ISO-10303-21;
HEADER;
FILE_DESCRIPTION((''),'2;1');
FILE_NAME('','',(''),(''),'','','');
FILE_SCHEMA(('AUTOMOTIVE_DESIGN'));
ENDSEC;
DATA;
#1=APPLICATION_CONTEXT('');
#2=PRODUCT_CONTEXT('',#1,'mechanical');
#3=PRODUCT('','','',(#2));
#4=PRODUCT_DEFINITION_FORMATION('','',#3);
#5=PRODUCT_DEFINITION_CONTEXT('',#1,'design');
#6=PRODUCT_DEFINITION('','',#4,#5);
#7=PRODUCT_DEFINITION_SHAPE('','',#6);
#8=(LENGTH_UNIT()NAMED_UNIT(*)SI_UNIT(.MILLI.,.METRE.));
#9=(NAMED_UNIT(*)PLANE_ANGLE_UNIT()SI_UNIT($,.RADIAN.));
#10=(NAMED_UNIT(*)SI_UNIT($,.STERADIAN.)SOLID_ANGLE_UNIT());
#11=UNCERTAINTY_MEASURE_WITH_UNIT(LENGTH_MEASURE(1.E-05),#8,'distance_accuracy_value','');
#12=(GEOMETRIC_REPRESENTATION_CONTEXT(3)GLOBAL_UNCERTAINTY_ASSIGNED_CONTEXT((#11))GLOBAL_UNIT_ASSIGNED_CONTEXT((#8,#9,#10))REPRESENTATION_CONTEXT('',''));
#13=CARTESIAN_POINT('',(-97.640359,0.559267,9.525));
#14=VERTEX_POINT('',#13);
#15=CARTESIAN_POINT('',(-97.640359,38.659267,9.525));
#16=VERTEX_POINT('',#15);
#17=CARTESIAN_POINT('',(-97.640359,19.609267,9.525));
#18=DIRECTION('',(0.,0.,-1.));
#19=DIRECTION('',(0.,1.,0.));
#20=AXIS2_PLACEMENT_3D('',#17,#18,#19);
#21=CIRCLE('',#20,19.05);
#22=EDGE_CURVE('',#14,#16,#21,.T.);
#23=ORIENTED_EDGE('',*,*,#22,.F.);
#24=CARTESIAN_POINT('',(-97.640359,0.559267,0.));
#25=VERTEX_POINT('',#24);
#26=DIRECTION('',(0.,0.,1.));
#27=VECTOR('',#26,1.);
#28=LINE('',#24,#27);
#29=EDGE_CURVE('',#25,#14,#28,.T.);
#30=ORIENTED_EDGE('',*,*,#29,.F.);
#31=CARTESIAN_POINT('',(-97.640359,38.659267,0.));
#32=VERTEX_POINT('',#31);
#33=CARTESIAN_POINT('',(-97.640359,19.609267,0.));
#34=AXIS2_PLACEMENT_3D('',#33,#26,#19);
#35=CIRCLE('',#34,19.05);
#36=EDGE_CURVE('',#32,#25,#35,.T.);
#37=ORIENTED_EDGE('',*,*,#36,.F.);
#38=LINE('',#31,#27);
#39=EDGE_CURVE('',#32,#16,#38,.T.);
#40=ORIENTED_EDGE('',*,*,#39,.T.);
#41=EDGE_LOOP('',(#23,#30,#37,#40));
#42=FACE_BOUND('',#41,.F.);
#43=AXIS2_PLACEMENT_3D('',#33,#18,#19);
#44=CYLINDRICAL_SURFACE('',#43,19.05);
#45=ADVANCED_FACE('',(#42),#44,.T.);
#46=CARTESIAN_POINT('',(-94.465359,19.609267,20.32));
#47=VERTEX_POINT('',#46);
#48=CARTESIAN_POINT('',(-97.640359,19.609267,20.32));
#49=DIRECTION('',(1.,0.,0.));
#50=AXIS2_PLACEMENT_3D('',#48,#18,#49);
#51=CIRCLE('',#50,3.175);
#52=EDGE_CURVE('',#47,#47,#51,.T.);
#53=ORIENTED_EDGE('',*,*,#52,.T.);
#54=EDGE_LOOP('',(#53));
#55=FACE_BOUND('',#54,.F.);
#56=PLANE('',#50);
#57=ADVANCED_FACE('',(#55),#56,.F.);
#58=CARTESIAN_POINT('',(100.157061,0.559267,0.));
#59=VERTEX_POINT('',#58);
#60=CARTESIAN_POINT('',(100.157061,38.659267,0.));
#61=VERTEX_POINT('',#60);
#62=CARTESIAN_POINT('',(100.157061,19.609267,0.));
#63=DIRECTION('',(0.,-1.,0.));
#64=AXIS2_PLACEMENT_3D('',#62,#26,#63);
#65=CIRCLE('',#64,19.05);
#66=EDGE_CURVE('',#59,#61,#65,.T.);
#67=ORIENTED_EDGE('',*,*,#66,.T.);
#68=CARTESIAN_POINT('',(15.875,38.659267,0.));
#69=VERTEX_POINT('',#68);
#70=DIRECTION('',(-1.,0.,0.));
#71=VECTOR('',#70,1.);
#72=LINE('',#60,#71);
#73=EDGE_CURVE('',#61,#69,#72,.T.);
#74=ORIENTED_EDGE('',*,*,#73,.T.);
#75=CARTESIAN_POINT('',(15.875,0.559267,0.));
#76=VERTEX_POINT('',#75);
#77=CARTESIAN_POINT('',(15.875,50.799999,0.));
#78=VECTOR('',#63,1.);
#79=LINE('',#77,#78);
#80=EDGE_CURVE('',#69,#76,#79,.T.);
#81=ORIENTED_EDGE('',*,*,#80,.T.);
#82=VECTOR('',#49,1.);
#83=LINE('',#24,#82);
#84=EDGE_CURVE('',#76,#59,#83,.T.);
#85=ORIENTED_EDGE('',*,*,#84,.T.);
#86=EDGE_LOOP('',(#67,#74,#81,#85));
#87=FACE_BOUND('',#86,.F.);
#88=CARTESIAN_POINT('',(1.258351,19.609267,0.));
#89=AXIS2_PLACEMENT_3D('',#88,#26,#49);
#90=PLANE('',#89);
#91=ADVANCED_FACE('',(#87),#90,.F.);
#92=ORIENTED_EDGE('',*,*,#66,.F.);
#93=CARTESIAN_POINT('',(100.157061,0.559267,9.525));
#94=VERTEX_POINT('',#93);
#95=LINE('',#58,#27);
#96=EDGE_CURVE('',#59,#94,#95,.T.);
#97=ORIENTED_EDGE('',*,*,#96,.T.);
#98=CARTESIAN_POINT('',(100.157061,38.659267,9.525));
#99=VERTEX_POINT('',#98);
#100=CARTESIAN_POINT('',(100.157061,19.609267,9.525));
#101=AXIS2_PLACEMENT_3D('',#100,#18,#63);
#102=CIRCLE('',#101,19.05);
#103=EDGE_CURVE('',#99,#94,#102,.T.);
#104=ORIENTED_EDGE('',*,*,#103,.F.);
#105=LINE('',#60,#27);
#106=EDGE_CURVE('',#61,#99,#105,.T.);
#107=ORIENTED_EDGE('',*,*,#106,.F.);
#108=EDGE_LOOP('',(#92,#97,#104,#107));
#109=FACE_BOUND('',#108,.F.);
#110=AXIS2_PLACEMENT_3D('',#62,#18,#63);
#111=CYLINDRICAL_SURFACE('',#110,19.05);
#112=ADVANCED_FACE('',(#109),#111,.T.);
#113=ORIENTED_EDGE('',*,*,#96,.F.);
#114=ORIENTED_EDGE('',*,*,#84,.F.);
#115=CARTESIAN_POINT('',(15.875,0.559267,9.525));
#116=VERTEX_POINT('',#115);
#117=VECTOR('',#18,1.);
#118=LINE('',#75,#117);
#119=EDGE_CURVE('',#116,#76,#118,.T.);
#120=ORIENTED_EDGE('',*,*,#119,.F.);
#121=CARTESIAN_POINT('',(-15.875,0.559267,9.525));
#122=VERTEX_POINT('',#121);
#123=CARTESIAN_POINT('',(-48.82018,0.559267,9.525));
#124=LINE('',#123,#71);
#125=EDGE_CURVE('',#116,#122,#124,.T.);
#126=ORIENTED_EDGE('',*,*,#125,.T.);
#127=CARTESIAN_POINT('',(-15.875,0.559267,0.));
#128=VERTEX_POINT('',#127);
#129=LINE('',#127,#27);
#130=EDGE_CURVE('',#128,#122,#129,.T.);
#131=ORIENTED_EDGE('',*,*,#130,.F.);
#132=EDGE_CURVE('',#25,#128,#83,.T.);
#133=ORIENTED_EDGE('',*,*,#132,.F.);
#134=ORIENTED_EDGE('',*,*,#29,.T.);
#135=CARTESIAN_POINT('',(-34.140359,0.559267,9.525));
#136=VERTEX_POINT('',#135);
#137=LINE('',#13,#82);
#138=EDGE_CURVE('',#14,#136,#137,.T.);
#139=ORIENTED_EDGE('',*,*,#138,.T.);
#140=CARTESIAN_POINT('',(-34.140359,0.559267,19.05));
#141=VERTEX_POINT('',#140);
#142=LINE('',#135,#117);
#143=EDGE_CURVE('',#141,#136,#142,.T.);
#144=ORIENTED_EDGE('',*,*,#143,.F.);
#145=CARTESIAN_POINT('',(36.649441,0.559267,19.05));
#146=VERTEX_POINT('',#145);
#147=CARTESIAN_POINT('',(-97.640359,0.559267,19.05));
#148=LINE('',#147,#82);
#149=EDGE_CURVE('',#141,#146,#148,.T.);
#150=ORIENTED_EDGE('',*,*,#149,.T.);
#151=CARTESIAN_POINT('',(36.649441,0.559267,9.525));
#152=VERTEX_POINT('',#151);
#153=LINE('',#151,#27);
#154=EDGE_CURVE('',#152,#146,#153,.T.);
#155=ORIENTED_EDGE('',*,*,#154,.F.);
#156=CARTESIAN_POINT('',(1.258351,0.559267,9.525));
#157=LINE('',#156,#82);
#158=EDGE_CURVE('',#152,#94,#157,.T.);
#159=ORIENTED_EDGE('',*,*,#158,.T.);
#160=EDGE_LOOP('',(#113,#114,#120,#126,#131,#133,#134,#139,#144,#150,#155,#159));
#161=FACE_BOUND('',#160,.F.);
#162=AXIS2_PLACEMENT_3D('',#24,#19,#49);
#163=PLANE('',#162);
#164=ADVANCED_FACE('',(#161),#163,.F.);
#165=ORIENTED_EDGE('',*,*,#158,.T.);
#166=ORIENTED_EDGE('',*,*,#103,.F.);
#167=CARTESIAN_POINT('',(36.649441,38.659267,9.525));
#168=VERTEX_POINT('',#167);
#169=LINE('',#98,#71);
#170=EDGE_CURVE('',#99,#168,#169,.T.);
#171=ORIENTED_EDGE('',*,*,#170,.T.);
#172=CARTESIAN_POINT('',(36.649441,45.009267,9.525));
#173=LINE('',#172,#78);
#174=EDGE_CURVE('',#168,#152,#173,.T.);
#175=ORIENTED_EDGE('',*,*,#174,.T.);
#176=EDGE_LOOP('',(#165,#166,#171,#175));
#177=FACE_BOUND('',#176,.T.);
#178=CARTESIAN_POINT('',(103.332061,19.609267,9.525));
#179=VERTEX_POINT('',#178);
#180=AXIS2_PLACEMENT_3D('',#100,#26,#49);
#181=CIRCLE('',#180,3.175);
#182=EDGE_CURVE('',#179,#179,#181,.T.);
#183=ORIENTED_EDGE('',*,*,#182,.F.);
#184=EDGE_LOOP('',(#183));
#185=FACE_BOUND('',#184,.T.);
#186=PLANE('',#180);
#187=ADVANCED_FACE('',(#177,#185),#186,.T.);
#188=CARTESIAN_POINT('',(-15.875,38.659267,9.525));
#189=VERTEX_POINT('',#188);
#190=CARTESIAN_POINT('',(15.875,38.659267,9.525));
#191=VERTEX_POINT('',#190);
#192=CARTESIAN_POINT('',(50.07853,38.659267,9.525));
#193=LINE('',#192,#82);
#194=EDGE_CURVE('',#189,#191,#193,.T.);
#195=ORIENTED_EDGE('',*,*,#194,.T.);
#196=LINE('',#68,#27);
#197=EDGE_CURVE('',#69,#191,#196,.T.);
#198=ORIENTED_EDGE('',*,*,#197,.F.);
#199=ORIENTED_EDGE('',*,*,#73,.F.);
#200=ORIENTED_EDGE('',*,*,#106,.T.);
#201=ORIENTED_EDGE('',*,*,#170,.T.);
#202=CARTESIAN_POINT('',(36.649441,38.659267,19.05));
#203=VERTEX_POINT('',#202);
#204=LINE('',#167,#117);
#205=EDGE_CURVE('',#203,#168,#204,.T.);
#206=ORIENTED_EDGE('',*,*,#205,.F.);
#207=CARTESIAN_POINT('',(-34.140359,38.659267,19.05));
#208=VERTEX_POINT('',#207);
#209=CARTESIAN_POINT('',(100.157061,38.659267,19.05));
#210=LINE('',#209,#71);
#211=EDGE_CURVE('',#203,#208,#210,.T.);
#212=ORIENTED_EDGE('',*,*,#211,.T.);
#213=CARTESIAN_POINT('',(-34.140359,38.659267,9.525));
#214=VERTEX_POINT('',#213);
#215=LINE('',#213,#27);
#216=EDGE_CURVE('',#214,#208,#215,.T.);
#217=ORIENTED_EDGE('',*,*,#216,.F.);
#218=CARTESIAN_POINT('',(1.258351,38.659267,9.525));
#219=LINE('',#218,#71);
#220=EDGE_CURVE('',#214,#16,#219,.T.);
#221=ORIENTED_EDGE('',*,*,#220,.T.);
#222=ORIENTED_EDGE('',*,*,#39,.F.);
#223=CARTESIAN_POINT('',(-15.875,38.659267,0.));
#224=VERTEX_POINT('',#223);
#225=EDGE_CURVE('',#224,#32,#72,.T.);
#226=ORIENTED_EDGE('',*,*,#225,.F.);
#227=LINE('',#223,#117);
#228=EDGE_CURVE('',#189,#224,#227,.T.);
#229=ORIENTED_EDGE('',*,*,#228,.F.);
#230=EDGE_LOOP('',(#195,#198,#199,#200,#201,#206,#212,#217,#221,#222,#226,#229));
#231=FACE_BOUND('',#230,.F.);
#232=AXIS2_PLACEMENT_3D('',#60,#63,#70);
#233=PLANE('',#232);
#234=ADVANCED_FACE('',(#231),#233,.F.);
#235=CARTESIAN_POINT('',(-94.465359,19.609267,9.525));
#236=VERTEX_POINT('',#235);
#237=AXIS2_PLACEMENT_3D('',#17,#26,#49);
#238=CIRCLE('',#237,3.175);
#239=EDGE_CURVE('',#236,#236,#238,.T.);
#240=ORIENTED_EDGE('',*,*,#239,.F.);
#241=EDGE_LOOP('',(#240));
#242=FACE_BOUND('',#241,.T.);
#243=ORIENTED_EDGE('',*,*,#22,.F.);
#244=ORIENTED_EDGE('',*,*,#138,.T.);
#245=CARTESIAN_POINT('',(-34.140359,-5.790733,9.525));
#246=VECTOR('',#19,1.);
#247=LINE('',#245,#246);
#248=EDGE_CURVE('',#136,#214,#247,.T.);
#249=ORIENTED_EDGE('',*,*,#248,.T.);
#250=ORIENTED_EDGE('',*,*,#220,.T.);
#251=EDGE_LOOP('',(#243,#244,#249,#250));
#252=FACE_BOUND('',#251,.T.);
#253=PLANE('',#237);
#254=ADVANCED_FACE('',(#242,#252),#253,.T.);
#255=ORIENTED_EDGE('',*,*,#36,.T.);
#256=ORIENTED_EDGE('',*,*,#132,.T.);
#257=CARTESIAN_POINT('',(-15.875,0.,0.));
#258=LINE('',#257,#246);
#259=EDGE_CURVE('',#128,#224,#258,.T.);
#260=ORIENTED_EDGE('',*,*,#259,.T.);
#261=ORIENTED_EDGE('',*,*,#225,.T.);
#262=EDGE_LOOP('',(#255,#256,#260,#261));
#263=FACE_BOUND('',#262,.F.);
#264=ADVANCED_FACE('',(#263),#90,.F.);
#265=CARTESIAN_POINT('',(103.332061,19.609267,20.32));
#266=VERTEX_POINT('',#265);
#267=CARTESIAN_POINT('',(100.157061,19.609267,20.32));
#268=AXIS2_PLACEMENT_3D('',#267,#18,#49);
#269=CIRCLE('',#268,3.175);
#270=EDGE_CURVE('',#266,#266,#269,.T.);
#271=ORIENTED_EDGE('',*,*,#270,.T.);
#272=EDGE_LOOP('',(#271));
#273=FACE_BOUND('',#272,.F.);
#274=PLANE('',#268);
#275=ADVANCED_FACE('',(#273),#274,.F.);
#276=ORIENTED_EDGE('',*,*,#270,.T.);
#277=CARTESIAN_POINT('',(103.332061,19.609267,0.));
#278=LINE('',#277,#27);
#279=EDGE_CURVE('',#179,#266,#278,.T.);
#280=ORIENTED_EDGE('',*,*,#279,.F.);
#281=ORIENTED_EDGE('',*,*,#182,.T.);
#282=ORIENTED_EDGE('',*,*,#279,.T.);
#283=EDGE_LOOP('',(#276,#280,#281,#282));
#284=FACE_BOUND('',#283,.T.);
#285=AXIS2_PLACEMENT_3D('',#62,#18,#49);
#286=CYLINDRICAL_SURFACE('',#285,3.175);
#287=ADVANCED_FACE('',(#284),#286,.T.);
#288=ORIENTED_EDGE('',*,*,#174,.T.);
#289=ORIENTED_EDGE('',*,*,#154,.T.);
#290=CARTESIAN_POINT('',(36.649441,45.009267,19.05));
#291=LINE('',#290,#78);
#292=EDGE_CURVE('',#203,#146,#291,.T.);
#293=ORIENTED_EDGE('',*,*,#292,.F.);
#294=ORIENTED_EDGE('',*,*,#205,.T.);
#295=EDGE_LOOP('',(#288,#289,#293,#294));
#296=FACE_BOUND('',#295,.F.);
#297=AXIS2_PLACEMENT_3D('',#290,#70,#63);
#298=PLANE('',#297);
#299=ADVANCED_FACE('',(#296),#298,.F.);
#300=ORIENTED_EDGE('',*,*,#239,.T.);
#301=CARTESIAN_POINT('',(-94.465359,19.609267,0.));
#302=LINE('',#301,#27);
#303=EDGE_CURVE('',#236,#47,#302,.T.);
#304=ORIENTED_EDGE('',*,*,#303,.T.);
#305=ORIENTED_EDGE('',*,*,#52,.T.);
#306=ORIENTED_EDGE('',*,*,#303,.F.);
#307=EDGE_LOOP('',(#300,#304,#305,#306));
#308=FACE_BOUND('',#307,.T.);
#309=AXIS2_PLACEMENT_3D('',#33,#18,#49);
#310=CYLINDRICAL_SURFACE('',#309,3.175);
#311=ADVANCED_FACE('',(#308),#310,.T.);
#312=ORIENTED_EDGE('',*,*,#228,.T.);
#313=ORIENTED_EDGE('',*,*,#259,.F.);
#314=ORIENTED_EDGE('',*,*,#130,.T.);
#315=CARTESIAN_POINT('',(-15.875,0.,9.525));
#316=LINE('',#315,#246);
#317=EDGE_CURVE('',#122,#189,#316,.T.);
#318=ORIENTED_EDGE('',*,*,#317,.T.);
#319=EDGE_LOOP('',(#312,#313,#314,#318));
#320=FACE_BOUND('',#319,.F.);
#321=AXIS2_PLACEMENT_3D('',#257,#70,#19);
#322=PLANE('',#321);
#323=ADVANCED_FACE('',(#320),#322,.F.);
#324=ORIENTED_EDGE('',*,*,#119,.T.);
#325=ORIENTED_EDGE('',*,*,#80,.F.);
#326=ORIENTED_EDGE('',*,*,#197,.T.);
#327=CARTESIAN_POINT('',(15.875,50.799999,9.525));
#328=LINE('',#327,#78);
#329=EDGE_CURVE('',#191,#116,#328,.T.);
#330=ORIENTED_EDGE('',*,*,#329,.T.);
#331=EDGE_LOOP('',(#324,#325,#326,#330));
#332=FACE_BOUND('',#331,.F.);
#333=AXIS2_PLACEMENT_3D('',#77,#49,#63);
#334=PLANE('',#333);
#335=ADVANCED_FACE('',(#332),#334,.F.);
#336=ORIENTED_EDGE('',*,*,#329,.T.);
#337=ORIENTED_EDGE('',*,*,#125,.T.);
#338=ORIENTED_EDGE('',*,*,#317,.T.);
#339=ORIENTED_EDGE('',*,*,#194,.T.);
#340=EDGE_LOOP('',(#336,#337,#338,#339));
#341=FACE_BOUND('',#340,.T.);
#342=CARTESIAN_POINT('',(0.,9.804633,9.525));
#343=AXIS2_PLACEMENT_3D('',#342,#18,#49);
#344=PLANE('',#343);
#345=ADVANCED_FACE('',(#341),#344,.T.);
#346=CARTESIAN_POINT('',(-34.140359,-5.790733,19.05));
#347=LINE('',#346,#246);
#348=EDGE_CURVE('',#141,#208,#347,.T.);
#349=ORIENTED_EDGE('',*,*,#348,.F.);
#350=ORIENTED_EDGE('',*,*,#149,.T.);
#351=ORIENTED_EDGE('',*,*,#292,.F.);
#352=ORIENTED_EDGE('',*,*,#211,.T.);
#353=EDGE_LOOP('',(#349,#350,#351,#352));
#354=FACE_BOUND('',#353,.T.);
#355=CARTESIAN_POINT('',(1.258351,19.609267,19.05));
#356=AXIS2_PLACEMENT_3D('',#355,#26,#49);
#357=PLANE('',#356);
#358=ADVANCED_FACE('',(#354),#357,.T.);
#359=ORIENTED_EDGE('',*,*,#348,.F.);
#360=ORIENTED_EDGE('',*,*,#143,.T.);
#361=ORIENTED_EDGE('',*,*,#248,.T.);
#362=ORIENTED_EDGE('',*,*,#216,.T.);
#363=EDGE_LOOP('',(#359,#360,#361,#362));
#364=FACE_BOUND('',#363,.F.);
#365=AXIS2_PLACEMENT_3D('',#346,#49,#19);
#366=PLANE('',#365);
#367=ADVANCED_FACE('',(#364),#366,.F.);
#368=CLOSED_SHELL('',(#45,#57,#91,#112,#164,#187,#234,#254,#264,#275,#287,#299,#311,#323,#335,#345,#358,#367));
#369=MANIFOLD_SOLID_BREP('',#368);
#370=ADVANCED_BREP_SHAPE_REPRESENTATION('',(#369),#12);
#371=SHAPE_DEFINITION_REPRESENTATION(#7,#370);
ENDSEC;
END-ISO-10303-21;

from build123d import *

# Parameters (mm, degrees)
F0_R     = 3.175
F1_DEPTH = 19.05
F2_R     = 3.175
F3_DEPTH = 9.525
F4_W     = 15.875
F4_H     = 31.190733
F5_DEPTH = 9.525
F6_R     = 3.175
F7_DEPTH = 20.32
F8_R     = 3.175
F9_DEPTH = 20.32


with BuildPart() as f1:
    # F0 (on Top) → F1 (new body)
    with BuildSketch(Plane.XY):
        with BuildLine():
            ThreePointArc((100.157061, 0.559267), (119.207061, 19.609267), (100.157061, 38.659267))
            Line((100.157061, 38.659267), (-97.640359, 38.659267))
            ThreePointArc((-97.640359, 38.659267), (-116.690359, 19.609267), (-97.640359, 0.559267))
            Line((-97.640359, 0.559267), (100.157061, 0.559267))
        make_face()
        with Locations((-97.640359, 19.609267)):
            Circle(F0_R, mode=Mode.SUBTRACT)
        with Locations((100.157061, 19.609267)):
            Circle(F0_R, mode=Mode.SUBTRACT)
    extrude(amount=F1_DEPTH)

    # F2 (on face) → F3 (cut)
    with BuildSketch(Plane.XY.offset(19.05)):
        with Locations((-97.640359, 19.609267)):
            Circle(F2_R)
        with Locations((100.157061, 19.609267)):
            Circle(F2_R)
        with BuildLine():
            ThreePointArc((100.149441, -5.790733), (125.549441, 19.609267), (100.149441, 45.009267))
            Line((100.149441, 45.009267), (36.649441, 45.009267))
            Line((36.649441, 45.009267), (36.649441, -5.790733))
            Line((36.649441, -5.790733), (100.149441, -5.790733))
        make_face()
        with Locations((100.157061, 19.609267)):
            Circle(F2_R, mode=Mode.SUBTRACT)
        with BuildLine():
            Line((-34.140359, -5.790733), (-34.140359, 45.009267))
            Line((-34.140359, 45.009267), (-97.640359, 45.009267))
            ThreePointArc((-97.640359, 45.009267), (-123.040359, 19.609267), (-97.640359, -5.790733))
            Line((-97.640359, -5.790733), (-34.140359, -5.790733))
        make_face()
        with Locations((-97.640359, 19.609267)):
            Circle(F2_R, mode=Mode.SUBTRACT)
    extrude(amount=-F3_DEPTH, mode=Mode.SUBTRACT)

    # F4 (on face) → F5 (cut)
    with BuildSketch(Plane(origin=(0, 0, 0), x_dir=(1, 0, 0), z_dir=(0, 0, -1))):
        Polygon((-15.875, 0), (-15.875, -19.609267), (0, -19.609267), (15.875, -19.609267), (15.875, 0), align=None)
        with Locations((-7.9375, -35.204633)):
            Rectangle(F4_W, F4_H)
        with Locations((7.9375, -35.204633)):
            Rectangle(F4_W, F4_H)
    extrude(amount=-F5_DEPTH, mode=Mode.SUBTRACT)

    # F6 (on face) → F7 (join)
    with BuildSketch(Plane(origin=(0, 0, 0), x_dir=(1, 0, 0), z_dir=(0, 0, -1))):
        with Locations((-97.640359, -19.609267)):
            Circle(F6_R)
    extrude(amount=-F7_DEPTH)

    # F8 (on face) → F9 (join)
    with BuildSketch(Plane(origin=(0, 0, 0), x_dir=(1, 0, 0), z_dir=(0, 0, -1))):
        with Locations((100.157061, -19.609267)):
            Circle(F8_R)
    extrude(amount=-F9_DEPTH)


solid = f1.part
